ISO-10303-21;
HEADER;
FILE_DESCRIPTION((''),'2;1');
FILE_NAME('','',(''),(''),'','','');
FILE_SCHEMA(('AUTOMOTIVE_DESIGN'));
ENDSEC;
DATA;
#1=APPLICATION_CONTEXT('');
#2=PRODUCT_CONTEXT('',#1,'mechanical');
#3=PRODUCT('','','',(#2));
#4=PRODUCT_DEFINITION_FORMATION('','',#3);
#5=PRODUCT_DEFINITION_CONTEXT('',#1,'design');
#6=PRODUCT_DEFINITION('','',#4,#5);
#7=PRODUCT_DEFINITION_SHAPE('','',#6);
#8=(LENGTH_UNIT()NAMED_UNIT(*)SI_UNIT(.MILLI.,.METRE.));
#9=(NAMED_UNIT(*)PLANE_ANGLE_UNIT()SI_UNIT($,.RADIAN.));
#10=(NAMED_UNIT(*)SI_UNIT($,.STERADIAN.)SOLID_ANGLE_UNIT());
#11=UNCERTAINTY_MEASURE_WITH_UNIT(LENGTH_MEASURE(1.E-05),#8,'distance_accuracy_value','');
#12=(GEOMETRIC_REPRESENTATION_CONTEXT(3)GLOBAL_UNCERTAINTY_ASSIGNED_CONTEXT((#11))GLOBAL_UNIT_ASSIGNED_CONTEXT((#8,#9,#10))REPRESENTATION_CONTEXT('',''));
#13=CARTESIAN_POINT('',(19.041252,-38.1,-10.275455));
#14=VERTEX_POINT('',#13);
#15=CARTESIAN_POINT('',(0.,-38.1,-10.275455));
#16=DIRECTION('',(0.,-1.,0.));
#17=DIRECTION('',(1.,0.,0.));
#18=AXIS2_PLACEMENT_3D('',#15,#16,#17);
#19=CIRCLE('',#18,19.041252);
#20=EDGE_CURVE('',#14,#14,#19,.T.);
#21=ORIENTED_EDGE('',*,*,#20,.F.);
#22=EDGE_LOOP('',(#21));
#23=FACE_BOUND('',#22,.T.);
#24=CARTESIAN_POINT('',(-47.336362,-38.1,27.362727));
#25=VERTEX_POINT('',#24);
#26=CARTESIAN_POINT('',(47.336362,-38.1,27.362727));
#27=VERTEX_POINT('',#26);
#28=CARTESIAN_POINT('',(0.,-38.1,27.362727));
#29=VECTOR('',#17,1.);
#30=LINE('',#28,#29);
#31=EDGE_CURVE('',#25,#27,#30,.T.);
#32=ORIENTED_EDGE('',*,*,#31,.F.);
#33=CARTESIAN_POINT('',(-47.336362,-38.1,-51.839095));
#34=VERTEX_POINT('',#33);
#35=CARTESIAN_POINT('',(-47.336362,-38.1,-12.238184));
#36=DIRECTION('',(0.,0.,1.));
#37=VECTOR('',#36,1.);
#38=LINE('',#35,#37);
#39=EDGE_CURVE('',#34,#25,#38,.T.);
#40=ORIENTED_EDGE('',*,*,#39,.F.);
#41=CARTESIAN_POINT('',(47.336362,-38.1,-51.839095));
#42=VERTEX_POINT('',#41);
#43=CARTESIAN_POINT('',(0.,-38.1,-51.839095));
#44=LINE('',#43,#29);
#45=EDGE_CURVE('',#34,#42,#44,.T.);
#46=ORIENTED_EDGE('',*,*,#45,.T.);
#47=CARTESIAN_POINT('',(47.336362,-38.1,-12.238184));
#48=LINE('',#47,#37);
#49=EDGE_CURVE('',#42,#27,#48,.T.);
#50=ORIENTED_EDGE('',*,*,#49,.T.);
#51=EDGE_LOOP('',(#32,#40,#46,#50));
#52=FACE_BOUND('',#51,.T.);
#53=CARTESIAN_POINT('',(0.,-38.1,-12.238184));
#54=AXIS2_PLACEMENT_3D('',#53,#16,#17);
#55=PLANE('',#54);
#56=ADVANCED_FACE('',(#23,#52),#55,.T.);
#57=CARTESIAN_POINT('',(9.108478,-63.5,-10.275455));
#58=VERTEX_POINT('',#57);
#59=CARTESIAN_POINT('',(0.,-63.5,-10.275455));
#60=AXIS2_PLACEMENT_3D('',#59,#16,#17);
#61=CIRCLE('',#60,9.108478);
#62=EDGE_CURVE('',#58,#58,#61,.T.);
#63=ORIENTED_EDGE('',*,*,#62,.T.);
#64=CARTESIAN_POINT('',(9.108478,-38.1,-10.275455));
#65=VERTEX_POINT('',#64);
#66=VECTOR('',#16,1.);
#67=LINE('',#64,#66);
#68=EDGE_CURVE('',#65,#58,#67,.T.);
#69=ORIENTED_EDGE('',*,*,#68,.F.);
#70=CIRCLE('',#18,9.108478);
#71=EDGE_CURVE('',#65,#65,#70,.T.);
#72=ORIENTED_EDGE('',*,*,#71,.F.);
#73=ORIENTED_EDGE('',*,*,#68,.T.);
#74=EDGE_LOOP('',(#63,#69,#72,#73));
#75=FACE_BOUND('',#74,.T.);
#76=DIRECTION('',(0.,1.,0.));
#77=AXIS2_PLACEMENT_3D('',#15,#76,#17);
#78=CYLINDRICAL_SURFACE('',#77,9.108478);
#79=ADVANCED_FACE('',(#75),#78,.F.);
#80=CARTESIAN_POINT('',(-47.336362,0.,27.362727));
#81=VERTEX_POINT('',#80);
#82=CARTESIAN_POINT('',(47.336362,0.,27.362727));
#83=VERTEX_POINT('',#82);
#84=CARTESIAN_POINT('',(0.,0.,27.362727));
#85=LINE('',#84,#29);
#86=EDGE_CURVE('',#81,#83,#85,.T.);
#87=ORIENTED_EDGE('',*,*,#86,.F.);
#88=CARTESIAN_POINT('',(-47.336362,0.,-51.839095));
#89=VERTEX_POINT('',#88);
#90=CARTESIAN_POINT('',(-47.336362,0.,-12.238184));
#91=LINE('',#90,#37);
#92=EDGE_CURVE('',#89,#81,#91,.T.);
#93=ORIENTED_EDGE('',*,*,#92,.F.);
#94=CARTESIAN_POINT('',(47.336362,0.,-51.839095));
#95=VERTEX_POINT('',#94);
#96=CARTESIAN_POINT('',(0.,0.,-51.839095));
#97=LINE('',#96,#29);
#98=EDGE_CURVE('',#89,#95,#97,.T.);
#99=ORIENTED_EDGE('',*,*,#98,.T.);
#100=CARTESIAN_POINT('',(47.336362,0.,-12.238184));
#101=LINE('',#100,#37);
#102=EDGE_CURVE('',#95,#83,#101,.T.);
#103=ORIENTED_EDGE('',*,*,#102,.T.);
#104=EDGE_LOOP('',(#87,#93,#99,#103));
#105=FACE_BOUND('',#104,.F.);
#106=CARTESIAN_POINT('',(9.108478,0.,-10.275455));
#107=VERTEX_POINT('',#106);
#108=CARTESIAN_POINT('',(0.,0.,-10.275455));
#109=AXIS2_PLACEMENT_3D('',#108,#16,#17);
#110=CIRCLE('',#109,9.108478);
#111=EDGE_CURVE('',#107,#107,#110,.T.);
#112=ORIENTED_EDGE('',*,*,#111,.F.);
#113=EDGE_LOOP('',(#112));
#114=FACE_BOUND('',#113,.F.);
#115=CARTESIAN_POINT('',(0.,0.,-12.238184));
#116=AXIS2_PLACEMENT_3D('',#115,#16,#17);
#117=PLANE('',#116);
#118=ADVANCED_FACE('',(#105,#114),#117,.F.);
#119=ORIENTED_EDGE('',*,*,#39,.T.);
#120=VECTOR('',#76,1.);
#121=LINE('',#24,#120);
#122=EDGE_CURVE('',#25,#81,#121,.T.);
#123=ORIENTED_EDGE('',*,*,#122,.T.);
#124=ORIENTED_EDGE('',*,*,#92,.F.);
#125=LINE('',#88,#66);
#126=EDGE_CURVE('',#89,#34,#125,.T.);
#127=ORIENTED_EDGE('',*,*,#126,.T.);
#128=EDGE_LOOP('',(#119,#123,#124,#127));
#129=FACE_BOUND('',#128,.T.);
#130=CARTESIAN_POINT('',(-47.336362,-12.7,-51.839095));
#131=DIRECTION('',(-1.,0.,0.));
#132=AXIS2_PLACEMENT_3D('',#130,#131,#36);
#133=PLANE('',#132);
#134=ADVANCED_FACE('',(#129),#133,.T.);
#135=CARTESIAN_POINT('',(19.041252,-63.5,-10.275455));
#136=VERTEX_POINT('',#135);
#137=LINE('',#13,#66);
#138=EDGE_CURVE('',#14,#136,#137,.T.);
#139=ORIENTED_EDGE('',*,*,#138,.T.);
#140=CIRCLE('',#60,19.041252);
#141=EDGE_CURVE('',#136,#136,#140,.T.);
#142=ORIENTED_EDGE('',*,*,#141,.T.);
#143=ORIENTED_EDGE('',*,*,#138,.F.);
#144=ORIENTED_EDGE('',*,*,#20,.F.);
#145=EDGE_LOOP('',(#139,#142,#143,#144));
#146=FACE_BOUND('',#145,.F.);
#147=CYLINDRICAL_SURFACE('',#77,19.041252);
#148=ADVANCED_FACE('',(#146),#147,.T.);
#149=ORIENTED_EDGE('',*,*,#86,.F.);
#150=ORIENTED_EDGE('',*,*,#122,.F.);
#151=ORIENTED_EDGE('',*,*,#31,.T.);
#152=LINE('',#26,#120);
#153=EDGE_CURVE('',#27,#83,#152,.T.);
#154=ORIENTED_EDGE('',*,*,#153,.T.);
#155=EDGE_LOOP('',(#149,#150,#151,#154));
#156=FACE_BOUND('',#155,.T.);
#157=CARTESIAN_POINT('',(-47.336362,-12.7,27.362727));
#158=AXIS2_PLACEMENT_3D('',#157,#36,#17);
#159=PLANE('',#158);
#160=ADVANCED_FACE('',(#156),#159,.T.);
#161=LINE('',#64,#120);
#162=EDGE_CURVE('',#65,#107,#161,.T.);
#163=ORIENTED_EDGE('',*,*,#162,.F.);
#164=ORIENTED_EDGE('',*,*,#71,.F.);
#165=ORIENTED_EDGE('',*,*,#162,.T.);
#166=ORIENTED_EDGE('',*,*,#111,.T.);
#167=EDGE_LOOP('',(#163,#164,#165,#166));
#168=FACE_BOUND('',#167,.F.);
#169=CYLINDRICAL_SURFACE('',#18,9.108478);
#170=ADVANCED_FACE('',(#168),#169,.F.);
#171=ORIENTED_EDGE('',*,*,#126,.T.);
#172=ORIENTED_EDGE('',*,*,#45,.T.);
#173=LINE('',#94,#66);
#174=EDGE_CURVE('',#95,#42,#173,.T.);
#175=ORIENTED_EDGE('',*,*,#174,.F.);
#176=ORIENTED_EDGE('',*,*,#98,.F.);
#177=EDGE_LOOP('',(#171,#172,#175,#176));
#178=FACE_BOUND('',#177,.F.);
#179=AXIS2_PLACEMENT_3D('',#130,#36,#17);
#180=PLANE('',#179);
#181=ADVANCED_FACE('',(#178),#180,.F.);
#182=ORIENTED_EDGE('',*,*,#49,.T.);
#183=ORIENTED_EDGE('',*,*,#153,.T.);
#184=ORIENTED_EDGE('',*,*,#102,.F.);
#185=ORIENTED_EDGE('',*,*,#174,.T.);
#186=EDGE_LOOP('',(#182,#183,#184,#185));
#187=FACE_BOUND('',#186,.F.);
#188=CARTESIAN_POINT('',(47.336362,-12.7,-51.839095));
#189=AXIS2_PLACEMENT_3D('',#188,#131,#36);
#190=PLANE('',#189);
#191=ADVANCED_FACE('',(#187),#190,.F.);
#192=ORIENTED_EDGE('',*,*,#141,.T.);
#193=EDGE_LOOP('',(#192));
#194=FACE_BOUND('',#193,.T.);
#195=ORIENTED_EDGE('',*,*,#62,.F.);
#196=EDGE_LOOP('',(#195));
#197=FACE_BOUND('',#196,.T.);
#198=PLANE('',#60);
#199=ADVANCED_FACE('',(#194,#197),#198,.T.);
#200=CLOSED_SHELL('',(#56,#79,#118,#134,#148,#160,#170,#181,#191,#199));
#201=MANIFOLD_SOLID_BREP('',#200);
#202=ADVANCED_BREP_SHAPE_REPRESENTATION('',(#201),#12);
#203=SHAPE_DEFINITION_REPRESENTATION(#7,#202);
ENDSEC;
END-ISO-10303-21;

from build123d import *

# Parameters (mm, degrees)
F0_W     = 94.6727246046
F0_H     = 79.2018212378
F1_DEPTH = 12.7
F2_DEPTH = 25.4
F3_R     = 19.041251915
F3_R_2   = 9.1084784232
F4_DEPTH = 25.4
F5_DEPTH = 38.101


with BuildPart() as f1:
    # F0 (on Front) → F1 (new body)
    with BuildSketch(Plane.XZ):
        with Locations((0, -12.2381839901)):
            Rectangle(F0_W, F0_H)
    extrude(amount=F1_DEPTH)

    # F2 (add): a face of the model
    f2_faces = [f1.faces().sort_by_distance(p)[0] for p in [
        (0, -12.7, -12.2381839901),
    ]]
    extrude(f2_faces, amount=F2_DEPTH)

    # F3 (on face) → F4 (join)
    with BuildSketch(Plane.XZ.offset(38.1)):
        with Locations((0, -10.2754551917)):
            Circle(F3_R)
        with Locations((0, -10.2754551917)):
            Circle(F3_R_2, mode=Mode.SUBTRACT)
    extrude(amount=F4_DEPTH)

    # F5 (cut, through all): a face of the model
    f5_faces = [f1.faces().sort_by_distance(p)[0] for p in [
        (0, -38.1, -10.2754551917),
    ]]
    extrude(f5_faces, amount=-F5_DEPTH, mode=Mode.SUBTRACT)


solid = f1.part
